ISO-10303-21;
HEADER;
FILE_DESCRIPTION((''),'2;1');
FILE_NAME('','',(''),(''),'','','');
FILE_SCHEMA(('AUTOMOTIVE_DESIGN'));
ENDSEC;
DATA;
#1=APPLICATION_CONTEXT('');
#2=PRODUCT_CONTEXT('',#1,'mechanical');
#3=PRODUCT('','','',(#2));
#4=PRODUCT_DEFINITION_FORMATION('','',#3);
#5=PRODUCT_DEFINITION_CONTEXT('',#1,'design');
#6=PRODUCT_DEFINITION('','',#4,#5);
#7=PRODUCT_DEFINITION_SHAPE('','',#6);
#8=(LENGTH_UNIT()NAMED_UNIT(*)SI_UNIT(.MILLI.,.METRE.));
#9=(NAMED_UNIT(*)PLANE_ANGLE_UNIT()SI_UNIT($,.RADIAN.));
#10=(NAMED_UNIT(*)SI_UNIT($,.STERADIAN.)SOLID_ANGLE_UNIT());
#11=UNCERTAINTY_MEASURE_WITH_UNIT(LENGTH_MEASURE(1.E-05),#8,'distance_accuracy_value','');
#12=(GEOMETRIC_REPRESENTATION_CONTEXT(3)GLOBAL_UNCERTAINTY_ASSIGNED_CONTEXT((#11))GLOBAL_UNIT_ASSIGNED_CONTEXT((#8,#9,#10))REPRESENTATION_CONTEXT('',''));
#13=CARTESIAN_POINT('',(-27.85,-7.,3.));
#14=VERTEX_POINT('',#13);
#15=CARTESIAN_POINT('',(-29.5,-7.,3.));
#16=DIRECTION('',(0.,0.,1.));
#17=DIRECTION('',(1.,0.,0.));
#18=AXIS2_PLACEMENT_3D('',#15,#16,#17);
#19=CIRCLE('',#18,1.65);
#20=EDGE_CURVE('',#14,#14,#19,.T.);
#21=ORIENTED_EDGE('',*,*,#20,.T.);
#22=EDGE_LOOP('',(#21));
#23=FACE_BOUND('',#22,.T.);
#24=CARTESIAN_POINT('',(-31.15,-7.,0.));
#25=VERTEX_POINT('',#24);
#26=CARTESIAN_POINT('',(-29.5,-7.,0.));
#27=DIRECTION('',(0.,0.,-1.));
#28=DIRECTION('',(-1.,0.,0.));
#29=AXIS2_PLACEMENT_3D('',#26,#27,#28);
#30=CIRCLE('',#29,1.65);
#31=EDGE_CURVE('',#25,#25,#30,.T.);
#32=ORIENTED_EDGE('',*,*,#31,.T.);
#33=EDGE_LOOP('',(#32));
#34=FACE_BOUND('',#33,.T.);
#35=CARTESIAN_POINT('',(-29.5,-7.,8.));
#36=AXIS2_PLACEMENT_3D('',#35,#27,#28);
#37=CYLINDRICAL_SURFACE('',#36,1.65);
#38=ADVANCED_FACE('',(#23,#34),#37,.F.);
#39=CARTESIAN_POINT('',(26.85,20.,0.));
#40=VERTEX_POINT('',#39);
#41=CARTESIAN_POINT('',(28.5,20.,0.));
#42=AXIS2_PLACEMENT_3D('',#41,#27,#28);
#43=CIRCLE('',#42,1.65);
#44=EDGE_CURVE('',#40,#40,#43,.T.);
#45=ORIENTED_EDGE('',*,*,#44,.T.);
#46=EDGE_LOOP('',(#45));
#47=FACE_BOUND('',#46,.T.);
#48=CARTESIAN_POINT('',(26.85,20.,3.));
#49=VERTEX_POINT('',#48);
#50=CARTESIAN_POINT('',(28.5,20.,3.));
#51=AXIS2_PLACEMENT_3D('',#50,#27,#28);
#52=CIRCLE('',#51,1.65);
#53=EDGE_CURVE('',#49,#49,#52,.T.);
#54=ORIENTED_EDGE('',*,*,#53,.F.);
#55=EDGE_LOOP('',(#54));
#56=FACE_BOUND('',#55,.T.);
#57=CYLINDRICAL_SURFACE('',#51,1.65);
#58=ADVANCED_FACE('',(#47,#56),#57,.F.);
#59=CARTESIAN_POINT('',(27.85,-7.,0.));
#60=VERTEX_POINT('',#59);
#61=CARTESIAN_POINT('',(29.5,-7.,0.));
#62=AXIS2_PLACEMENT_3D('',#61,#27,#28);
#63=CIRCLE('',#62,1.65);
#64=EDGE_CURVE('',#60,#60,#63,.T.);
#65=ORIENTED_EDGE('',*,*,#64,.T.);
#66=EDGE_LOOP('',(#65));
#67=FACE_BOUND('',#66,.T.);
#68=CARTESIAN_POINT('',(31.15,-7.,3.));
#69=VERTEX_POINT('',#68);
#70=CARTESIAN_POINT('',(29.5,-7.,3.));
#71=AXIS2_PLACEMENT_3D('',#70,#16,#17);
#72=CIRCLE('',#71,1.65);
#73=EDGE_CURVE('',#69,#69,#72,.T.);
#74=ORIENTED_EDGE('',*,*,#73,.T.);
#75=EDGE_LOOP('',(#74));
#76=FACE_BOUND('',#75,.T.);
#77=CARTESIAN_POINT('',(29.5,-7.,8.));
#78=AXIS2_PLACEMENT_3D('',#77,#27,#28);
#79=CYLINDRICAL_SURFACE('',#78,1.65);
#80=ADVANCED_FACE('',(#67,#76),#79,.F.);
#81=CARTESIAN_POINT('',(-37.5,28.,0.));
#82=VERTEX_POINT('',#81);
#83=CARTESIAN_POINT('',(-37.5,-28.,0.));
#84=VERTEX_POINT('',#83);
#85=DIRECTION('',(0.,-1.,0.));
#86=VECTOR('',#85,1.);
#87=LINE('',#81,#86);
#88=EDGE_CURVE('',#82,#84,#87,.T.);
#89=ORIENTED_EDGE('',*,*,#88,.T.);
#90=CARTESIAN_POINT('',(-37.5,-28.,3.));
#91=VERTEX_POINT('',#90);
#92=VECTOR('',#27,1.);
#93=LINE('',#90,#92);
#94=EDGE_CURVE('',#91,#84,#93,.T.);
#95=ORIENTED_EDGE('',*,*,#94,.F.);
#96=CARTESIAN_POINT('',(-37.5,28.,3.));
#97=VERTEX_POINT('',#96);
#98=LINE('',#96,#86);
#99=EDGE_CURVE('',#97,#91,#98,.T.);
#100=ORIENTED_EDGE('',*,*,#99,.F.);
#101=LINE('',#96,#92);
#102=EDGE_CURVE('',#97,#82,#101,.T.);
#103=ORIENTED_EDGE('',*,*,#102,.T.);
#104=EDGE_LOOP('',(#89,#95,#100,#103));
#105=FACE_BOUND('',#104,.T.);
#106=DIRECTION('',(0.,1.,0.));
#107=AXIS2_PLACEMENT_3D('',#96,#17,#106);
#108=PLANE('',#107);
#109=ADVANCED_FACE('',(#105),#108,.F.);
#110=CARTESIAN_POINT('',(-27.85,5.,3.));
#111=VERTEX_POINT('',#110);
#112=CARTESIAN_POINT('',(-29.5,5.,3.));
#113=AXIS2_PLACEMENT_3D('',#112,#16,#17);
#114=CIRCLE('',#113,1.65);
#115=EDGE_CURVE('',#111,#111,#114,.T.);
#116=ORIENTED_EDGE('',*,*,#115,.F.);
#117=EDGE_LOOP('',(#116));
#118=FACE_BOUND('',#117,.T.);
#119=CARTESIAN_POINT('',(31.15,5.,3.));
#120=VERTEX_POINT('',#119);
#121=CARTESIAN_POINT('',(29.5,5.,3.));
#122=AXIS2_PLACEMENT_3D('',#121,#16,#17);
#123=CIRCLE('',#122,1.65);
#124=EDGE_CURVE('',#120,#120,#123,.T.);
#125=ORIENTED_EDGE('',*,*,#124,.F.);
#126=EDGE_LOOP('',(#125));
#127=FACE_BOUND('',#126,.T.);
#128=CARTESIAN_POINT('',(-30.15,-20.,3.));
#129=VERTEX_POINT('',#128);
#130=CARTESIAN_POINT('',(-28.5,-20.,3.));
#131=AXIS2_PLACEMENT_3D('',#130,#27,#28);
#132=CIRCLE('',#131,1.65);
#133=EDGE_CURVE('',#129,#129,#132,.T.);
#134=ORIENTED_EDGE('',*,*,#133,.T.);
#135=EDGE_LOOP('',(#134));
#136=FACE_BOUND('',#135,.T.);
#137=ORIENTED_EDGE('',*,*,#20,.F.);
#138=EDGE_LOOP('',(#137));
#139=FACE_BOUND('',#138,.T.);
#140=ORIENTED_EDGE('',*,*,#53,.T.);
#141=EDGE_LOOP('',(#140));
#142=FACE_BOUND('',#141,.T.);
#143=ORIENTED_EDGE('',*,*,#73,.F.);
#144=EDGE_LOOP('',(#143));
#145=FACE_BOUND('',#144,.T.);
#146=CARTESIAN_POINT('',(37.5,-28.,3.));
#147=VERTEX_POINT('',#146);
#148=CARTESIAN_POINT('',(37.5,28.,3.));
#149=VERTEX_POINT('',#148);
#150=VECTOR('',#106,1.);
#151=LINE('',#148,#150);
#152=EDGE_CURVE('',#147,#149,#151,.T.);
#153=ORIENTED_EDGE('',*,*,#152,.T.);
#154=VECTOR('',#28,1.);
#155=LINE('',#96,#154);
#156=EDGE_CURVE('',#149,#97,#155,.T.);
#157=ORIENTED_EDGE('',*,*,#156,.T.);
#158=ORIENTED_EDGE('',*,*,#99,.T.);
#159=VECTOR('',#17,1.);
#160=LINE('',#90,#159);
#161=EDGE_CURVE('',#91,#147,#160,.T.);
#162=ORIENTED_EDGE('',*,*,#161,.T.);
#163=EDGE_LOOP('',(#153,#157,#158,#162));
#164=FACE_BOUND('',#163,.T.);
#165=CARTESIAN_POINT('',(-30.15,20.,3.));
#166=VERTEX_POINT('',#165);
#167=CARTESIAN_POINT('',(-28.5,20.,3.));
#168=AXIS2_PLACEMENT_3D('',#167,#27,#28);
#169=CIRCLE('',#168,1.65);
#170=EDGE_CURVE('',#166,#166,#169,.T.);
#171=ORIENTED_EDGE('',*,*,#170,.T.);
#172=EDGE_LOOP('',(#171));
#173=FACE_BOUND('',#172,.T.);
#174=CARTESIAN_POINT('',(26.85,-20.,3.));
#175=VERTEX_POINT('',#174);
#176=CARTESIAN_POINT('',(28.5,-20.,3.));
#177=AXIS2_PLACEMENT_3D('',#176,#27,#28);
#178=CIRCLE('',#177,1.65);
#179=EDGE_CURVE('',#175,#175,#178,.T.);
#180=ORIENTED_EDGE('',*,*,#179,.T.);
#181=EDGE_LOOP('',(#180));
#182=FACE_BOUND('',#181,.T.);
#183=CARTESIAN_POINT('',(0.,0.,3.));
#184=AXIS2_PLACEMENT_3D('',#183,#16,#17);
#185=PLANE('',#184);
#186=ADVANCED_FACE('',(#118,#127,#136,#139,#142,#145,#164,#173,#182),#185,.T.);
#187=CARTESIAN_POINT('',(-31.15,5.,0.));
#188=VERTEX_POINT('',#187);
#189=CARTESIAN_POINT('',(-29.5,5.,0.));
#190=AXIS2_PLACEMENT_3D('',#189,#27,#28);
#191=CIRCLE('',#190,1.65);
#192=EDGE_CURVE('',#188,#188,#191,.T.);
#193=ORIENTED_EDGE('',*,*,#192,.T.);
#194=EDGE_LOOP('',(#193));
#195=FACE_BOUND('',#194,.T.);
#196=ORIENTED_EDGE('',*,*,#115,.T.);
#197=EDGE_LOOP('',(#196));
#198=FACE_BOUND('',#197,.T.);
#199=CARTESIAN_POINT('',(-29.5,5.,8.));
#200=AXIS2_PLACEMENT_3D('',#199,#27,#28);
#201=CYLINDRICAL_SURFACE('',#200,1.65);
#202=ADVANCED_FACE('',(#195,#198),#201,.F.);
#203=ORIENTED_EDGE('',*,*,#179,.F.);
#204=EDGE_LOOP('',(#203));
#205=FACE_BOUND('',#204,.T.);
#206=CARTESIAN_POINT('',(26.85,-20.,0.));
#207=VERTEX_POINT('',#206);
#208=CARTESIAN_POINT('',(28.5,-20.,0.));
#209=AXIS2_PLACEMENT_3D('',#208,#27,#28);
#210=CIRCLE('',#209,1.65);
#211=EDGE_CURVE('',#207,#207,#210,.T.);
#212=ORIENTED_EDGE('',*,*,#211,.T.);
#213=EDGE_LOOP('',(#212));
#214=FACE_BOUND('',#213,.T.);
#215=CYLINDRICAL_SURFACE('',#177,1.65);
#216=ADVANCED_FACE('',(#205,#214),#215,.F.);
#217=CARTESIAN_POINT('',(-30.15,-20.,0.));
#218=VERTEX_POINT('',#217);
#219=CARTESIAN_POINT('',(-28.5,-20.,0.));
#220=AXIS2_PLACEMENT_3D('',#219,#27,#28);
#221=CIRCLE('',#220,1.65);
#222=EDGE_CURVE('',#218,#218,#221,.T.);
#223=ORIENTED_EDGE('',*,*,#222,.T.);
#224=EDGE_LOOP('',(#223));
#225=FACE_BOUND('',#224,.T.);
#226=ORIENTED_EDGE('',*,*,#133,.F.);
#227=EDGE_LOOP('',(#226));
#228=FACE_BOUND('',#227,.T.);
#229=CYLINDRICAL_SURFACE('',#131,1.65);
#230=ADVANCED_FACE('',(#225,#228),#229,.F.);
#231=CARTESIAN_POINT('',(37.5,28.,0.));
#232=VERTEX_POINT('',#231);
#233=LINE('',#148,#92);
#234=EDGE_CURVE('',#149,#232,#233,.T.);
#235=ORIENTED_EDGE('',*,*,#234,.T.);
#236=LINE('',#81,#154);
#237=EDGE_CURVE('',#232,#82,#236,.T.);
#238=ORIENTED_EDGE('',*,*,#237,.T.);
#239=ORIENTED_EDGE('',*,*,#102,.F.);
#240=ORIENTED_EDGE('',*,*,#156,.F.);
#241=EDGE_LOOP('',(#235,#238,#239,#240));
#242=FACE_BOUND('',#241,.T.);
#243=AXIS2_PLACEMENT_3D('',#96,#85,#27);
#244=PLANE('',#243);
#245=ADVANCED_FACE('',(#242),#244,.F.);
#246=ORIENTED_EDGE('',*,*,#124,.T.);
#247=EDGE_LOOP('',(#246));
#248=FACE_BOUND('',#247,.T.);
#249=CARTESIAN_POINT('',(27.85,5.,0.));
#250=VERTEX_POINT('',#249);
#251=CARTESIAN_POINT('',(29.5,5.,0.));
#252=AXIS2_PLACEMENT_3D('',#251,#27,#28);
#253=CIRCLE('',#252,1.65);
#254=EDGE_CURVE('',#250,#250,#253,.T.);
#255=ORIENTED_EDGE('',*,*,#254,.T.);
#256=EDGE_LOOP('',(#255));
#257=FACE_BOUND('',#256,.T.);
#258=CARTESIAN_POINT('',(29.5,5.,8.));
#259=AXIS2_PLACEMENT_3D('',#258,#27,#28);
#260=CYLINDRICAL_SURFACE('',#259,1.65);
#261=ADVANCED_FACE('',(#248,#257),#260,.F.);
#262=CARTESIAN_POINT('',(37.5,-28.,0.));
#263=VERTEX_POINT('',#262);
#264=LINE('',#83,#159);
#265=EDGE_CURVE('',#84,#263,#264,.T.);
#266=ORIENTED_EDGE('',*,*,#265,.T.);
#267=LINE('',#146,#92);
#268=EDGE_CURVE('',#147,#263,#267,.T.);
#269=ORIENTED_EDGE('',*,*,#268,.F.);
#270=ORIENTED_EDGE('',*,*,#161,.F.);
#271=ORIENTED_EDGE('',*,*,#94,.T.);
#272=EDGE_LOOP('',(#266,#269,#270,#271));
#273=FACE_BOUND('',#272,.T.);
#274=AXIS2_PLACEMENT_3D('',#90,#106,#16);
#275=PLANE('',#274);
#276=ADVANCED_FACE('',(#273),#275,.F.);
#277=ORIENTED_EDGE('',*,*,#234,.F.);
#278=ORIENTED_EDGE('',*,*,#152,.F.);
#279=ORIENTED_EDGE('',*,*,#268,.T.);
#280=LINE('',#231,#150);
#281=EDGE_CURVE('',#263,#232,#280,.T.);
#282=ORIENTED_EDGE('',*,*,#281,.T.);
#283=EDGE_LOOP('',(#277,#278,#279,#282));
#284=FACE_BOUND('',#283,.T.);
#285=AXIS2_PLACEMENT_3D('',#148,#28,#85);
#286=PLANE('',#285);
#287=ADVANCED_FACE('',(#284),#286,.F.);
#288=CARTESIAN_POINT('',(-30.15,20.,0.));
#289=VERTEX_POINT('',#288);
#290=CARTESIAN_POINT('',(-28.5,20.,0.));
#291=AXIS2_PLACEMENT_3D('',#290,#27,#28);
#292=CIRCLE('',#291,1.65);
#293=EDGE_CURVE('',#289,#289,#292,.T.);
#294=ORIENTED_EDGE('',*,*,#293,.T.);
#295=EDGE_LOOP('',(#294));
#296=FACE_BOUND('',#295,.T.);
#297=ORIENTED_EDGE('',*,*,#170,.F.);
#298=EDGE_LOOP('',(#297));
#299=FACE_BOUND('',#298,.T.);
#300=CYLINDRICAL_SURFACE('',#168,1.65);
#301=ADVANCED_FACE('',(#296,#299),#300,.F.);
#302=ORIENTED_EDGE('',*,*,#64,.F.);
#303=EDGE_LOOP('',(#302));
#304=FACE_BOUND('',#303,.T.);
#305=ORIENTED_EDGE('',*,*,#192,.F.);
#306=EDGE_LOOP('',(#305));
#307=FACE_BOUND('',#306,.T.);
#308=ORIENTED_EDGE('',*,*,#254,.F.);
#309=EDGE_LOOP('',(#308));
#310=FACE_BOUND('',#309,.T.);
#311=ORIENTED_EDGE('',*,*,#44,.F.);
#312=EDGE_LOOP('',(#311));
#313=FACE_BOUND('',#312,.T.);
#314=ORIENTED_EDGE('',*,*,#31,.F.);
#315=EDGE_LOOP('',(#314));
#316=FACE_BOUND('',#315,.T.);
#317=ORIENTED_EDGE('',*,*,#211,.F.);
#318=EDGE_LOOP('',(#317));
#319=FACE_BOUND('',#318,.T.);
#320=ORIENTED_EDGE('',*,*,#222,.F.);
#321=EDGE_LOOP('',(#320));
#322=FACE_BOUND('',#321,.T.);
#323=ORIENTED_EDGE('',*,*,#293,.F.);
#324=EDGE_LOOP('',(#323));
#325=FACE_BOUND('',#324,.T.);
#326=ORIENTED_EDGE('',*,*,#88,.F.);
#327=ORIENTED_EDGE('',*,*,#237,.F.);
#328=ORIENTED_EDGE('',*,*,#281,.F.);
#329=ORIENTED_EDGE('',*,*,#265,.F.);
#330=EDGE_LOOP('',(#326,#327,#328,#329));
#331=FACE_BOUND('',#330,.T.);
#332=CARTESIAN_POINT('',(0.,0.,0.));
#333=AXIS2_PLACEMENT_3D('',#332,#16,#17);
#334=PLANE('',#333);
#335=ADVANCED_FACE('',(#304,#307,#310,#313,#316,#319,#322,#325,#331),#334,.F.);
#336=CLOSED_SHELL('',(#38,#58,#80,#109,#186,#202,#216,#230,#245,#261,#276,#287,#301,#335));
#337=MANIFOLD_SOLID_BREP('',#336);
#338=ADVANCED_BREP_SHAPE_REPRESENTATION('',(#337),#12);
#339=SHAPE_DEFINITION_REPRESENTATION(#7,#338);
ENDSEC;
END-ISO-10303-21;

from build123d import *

# Parameters (mm, degrees)
SKETCH_1_W          = 75
SKETCH_1_H          = 56
EXTRUDE_1_DEPTH     = 3
SKETCH_2_R          = 1.65
CUT_EXTRUDE_1_DEPTH = 3
SKETCH_4_R          = 1.65
CUT_EXTRUDE_3_DEPTH = 8


with BuildPart() as part:
    # 草图1 → 凸台-拉伸1 (new body)
    with BuildSketch(Plane.XY):
        Rectangle(SKETCH_1_W, SKETCH_1_H)
    extrude(amount=EXTRUDE_1_DEPTH)

    # 草图2 → 切除-拉伸1 (cut)
    with BuildSketch(Plane(origin=(0, 0, 0), x_dir=(-1, 0, 0), z_dir=(0, 0, -1))):
        with Locations((-28.5, 20)):
            Circle(SKETCH_2_R)
        with Locations((28.5, 20)):
            Circle(SKETCH_2_R)
        with Locations((-28.5, -20)):
            Circle(SKETCH_2_R)
        with Locations((28.5, -20)):
            Circle(SKETCH_2_R)
    extrude(amount=-CUT_EXTRUDE_1_DEPTH, mode=Mode.SUBTRACT)

    # 草图4 → 切除-拉伸3 (cut)
    with BuildSketch(Plane(origin=(0, 0, 0), x_dir=(-1, 0, 0), z_dir=(0, 0, -1))):
        with Locations((-29.5, 5)):
            Circle(SKETCH_4_R)
        with Locations((29.5, 5)):
            Circle(SKETCH_4_R)
        with Locations((-29.5, -7)):
            Circle(SKETCH_4_R)
        with Locations((29.5, -7)):
            Circle(SKETCH_4_R)
    extrude(amount=-CUT_EXTRUDE_3_DEPTH, mode=Mode.SUBTRACT)


solid = part.part
